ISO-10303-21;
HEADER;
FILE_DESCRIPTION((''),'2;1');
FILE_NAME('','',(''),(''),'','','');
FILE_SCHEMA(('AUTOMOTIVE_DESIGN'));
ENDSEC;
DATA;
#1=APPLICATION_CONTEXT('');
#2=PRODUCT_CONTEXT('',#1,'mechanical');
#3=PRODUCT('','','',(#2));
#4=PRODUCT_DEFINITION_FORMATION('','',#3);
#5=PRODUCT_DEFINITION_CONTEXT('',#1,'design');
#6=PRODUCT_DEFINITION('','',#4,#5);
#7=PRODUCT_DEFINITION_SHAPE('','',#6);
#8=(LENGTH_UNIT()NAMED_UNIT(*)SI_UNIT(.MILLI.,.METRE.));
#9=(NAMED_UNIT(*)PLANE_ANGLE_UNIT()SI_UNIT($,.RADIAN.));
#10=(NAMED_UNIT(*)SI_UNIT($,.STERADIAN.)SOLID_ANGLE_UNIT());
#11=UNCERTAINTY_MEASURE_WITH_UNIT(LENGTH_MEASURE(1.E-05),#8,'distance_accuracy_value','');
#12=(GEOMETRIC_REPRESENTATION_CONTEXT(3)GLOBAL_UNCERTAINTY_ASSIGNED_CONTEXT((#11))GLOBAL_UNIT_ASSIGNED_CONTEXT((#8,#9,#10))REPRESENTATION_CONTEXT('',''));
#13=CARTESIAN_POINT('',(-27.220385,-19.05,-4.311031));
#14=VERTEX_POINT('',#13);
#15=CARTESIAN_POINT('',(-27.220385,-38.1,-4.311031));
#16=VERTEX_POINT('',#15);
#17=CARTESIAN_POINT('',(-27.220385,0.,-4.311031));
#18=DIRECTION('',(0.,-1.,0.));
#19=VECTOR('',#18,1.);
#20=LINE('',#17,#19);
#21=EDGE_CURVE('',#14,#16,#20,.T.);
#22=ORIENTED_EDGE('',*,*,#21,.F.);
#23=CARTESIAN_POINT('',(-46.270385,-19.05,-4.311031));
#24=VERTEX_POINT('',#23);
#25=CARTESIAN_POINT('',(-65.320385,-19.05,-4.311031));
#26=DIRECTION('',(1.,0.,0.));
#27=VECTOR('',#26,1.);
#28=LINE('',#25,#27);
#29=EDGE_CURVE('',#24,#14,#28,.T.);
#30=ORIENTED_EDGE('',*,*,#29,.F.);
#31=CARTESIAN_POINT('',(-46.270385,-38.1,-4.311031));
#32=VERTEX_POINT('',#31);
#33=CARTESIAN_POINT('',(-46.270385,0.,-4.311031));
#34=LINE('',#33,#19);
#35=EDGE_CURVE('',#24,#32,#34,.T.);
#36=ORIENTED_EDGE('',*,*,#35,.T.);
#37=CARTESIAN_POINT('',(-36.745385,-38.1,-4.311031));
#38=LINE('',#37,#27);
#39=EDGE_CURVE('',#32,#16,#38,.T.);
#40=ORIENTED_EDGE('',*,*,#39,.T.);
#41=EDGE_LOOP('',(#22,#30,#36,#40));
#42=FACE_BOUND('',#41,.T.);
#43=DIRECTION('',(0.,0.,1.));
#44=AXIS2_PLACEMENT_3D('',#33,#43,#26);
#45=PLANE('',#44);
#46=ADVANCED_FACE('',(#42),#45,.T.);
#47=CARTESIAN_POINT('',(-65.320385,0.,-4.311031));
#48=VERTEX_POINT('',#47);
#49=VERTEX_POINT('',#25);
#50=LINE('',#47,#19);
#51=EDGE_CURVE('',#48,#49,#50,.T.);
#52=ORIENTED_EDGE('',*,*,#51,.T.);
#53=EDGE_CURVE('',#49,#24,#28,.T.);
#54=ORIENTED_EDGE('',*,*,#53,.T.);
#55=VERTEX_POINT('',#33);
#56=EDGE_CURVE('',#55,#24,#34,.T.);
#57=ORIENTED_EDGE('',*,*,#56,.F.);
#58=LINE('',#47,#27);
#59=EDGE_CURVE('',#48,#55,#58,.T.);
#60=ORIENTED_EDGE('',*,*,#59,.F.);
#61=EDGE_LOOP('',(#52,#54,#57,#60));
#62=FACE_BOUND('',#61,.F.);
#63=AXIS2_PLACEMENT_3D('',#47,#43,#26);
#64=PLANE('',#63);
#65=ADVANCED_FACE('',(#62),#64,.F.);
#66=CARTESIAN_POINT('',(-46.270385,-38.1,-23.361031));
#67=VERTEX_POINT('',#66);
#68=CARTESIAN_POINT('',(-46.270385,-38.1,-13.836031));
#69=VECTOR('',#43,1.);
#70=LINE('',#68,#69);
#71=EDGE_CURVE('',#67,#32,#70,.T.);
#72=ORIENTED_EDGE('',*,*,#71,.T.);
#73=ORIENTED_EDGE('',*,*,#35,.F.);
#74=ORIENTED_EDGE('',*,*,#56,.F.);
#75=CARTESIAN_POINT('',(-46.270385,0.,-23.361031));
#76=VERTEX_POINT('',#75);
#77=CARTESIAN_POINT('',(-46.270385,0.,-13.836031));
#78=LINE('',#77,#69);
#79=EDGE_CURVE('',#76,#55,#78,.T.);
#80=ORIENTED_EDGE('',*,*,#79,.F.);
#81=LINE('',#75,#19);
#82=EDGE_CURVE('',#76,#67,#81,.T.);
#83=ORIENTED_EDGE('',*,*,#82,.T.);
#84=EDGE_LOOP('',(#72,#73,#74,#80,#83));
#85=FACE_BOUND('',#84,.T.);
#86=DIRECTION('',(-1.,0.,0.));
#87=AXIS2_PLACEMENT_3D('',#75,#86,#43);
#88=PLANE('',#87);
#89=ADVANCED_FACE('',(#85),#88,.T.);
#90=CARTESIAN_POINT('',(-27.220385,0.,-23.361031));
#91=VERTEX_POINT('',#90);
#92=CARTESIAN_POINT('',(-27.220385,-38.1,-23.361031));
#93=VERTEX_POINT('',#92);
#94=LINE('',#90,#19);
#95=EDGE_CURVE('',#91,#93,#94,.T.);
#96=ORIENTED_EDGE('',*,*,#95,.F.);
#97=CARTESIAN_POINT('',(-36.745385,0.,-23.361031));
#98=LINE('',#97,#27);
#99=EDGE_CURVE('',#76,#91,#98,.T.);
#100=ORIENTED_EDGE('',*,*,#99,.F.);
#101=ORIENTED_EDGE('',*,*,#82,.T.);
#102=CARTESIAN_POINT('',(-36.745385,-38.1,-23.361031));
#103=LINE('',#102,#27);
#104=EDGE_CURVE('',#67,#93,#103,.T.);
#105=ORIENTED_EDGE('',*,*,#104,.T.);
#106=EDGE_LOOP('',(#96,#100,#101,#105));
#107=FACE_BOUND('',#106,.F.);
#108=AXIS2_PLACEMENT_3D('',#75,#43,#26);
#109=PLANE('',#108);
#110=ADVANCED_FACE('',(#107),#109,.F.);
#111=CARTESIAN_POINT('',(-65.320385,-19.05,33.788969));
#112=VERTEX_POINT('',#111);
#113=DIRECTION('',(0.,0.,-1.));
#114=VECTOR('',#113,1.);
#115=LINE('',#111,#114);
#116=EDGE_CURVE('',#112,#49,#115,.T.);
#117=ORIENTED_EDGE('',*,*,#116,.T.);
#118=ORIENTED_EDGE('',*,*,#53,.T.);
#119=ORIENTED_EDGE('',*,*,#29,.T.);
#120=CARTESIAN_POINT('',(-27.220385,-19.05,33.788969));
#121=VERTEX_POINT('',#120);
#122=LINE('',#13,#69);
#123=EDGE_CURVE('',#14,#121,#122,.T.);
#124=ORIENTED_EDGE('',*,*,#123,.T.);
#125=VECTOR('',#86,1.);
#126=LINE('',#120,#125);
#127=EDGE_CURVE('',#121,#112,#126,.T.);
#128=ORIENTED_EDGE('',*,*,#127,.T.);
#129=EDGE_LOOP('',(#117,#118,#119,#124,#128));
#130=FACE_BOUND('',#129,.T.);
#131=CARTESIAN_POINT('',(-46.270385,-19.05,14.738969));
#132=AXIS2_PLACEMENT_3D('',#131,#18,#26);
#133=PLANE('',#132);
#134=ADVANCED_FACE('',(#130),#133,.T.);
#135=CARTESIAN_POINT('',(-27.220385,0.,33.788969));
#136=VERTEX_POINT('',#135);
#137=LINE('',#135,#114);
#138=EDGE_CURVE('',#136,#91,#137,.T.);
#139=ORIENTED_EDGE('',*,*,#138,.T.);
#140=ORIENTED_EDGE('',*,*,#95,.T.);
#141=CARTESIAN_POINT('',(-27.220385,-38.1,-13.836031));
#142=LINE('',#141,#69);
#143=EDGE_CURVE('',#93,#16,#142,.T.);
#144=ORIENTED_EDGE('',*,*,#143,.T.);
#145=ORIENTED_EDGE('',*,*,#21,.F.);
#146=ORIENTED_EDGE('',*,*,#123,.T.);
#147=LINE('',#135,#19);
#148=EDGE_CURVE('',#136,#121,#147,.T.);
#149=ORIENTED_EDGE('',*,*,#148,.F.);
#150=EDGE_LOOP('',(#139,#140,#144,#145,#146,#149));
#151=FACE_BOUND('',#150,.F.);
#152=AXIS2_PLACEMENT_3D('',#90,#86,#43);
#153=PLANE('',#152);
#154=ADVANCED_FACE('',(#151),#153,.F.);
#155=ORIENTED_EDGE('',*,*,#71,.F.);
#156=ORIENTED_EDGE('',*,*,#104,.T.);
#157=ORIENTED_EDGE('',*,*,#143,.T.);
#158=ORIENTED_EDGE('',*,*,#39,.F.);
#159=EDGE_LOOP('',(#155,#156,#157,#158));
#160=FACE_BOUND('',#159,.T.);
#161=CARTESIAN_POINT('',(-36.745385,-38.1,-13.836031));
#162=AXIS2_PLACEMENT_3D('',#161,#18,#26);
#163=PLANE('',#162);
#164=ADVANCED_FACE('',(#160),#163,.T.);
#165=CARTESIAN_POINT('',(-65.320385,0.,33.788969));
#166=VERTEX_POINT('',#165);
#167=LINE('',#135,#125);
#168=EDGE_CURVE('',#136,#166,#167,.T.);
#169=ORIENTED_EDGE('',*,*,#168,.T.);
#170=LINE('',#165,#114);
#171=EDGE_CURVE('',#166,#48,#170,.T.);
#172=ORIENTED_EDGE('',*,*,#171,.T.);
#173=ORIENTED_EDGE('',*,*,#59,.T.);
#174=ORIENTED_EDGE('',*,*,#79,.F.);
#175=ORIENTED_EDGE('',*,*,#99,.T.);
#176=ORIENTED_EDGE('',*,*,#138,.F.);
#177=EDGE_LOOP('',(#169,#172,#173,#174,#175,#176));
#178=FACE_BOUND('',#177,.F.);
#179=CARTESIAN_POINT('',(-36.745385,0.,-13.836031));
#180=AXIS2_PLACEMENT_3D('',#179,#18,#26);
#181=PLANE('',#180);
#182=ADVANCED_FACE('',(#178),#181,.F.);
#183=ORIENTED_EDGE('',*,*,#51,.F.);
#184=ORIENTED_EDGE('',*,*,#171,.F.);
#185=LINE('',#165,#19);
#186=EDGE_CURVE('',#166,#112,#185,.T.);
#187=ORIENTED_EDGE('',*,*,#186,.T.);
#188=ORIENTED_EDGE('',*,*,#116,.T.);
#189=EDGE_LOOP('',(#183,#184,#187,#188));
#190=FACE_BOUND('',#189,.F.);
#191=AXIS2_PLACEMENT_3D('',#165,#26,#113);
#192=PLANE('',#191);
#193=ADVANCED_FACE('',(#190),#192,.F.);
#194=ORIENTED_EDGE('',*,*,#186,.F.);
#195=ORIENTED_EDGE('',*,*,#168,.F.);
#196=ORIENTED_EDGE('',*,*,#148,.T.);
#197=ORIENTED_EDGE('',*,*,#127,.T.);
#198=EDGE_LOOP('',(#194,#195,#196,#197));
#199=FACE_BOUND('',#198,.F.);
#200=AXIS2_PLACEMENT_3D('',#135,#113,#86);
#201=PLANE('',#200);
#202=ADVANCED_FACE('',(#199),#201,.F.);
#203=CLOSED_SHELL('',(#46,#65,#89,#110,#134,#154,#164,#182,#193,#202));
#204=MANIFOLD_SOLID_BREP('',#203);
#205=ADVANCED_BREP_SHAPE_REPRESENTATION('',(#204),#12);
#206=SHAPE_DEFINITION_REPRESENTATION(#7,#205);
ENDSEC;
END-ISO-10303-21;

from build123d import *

# Parameters (mm, degrees)
F1_DEPTH = 19.05
F0_W     = 19.05
F0_H     = 19.05
F2_DEPTH = 38.1


with BuildPart() as f1:
    # F0 (on Front) → F1 (new body)
    with BuildSketch(Plane.XZ):
        Polygon((-46.270385, -4.311031), (-27.220385, -4.311031), (-27.220385, 33.788969), (-65.320385, 33.788969), (-65.320385, -4.311031), align=None)
    extrude(amount=F1_DEPTH)

    # F0 (on Front) → F2 (join)
    with BuildSketch(Plane.XZ):
        with Locations((-36.745385, -13.836031)):
            Rectangle(F0_W, F0_H)
    extrude(amount=F2_DEPTH)


solid = f1.part
